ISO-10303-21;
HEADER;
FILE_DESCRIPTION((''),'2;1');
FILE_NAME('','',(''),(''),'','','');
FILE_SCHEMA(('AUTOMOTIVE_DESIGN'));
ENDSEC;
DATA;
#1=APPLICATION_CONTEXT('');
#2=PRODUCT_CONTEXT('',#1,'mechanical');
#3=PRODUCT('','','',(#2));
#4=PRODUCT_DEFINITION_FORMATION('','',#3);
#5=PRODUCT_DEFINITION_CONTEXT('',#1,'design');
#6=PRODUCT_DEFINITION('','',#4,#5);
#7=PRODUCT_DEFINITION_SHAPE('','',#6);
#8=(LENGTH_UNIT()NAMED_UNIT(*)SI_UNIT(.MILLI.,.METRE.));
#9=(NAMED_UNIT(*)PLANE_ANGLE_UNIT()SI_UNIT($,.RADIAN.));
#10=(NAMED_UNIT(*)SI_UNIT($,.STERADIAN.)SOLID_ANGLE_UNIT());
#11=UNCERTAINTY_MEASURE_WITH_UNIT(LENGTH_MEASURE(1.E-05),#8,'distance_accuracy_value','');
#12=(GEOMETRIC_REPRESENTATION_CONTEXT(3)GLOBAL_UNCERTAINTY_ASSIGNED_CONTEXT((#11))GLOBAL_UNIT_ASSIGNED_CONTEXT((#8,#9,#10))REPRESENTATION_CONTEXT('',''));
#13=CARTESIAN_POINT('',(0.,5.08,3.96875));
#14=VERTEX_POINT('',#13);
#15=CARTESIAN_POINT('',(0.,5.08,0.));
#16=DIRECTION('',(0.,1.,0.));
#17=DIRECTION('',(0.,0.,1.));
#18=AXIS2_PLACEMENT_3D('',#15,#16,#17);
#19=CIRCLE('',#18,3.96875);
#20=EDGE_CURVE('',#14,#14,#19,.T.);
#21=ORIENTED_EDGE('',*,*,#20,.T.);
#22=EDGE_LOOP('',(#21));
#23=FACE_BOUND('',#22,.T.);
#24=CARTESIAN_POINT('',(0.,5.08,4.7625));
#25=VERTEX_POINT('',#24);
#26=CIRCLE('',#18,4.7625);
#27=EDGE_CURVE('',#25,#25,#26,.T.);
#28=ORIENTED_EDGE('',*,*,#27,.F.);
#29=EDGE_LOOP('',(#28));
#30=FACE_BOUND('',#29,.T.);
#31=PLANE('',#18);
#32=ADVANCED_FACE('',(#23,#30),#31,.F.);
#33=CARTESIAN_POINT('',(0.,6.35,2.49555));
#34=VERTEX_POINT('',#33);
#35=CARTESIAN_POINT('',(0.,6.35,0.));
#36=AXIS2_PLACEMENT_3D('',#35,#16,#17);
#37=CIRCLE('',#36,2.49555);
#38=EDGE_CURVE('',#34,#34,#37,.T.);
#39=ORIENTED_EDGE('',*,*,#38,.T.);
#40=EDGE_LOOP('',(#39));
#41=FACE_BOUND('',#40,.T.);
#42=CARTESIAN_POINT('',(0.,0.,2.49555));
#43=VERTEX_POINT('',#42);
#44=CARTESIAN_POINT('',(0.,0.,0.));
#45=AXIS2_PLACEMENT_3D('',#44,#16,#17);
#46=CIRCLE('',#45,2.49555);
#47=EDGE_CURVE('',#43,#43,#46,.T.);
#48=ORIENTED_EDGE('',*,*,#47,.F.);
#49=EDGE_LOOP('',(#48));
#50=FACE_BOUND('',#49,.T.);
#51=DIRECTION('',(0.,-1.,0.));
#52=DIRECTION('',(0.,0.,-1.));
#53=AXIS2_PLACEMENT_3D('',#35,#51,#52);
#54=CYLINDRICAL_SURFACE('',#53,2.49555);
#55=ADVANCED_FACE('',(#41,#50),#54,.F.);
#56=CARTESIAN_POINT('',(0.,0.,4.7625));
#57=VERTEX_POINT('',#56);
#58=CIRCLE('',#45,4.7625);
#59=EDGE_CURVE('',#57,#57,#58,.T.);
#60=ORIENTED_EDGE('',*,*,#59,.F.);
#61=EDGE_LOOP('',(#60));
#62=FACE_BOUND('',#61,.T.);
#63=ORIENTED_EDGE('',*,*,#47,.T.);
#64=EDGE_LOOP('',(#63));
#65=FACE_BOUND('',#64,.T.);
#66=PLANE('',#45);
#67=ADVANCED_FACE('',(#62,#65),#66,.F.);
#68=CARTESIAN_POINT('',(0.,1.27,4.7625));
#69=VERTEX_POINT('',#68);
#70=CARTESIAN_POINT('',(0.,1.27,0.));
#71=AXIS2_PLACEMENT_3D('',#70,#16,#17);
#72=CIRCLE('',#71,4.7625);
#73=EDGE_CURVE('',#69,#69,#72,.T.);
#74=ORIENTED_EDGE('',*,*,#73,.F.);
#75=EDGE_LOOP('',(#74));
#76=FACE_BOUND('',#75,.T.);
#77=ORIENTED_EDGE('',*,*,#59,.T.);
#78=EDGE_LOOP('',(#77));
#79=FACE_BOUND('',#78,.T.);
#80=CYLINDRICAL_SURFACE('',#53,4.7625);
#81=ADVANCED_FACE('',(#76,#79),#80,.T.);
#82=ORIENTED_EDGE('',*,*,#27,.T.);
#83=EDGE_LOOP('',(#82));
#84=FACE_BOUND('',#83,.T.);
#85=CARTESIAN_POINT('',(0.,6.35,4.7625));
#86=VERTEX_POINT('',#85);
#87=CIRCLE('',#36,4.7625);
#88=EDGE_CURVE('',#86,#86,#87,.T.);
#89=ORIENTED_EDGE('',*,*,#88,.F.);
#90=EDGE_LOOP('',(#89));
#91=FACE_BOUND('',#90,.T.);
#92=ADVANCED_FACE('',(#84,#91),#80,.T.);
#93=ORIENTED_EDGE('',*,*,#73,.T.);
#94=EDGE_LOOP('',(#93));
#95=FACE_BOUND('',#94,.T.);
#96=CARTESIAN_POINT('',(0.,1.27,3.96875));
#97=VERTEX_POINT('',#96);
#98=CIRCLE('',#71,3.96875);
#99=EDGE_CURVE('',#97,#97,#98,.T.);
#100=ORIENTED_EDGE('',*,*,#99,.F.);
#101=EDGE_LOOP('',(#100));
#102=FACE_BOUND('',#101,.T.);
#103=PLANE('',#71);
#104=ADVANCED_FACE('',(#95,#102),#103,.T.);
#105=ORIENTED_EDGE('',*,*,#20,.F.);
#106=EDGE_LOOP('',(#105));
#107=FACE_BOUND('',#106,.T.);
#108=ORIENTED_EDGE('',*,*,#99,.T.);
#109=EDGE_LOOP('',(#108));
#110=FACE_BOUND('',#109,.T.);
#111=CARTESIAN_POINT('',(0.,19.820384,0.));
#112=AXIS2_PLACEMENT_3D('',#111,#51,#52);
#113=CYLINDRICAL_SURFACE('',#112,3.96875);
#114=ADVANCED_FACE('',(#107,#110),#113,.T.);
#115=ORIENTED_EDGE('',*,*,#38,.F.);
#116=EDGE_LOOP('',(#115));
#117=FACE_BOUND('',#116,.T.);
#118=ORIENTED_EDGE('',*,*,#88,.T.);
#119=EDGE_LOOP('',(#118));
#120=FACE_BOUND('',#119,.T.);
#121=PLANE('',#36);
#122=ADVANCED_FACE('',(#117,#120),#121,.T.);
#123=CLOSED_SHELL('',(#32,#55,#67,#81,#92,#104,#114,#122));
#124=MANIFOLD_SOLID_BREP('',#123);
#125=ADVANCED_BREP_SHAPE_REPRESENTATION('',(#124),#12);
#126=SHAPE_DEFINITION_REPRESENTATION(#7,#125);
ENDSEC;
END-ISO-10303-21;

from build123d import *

# Parameters (mm, degrees)
SKETCH1_R           = 4.7625
SKETCH1_R_2         = 2.49555
BOSS_EXTRUDE1_DEPTH = 6.35
CUT_EXTRUDE1_START  = -5.08
SKETCH2_R           = 4.7625
SKETCH2_R_2         = 3.96875
CUT_EXTRUDE1_DEPTH  = 3.81


with BuildPart() as part:
    # Sketch1 → Boss-Extrude1 (new body)
    with BuildSketch(Plane(origin=(0, 0, 0), x_dir=(1, 0, 0), z_dir=(0, 1, 0))):
        Circle(SKETCH1_R)
        Circle(SKETCH1_R_2, mode=Mode.SUBTRACT)
    extrude(amount=BOSS_EXTRUDE1_DEPTH)

    # Sketch2 → Cut-Extrude1 (cut)
    with BuildSketch(Plane(origin=(0, 6.35, 0), x_dir=(1, 0, 0), z_dir=(0, 1, 0)).offset(CUT_EXTRUDE1_START)):
        Circle(SKETCH2_R)
        Circle(SKETCH2_R_2, mode=Mode.SUBTRACT)
    extrude(amount=CUT_EXTRUDE1_DEPTH, mode=Mode.SUBTRACT)


solid = part.part
